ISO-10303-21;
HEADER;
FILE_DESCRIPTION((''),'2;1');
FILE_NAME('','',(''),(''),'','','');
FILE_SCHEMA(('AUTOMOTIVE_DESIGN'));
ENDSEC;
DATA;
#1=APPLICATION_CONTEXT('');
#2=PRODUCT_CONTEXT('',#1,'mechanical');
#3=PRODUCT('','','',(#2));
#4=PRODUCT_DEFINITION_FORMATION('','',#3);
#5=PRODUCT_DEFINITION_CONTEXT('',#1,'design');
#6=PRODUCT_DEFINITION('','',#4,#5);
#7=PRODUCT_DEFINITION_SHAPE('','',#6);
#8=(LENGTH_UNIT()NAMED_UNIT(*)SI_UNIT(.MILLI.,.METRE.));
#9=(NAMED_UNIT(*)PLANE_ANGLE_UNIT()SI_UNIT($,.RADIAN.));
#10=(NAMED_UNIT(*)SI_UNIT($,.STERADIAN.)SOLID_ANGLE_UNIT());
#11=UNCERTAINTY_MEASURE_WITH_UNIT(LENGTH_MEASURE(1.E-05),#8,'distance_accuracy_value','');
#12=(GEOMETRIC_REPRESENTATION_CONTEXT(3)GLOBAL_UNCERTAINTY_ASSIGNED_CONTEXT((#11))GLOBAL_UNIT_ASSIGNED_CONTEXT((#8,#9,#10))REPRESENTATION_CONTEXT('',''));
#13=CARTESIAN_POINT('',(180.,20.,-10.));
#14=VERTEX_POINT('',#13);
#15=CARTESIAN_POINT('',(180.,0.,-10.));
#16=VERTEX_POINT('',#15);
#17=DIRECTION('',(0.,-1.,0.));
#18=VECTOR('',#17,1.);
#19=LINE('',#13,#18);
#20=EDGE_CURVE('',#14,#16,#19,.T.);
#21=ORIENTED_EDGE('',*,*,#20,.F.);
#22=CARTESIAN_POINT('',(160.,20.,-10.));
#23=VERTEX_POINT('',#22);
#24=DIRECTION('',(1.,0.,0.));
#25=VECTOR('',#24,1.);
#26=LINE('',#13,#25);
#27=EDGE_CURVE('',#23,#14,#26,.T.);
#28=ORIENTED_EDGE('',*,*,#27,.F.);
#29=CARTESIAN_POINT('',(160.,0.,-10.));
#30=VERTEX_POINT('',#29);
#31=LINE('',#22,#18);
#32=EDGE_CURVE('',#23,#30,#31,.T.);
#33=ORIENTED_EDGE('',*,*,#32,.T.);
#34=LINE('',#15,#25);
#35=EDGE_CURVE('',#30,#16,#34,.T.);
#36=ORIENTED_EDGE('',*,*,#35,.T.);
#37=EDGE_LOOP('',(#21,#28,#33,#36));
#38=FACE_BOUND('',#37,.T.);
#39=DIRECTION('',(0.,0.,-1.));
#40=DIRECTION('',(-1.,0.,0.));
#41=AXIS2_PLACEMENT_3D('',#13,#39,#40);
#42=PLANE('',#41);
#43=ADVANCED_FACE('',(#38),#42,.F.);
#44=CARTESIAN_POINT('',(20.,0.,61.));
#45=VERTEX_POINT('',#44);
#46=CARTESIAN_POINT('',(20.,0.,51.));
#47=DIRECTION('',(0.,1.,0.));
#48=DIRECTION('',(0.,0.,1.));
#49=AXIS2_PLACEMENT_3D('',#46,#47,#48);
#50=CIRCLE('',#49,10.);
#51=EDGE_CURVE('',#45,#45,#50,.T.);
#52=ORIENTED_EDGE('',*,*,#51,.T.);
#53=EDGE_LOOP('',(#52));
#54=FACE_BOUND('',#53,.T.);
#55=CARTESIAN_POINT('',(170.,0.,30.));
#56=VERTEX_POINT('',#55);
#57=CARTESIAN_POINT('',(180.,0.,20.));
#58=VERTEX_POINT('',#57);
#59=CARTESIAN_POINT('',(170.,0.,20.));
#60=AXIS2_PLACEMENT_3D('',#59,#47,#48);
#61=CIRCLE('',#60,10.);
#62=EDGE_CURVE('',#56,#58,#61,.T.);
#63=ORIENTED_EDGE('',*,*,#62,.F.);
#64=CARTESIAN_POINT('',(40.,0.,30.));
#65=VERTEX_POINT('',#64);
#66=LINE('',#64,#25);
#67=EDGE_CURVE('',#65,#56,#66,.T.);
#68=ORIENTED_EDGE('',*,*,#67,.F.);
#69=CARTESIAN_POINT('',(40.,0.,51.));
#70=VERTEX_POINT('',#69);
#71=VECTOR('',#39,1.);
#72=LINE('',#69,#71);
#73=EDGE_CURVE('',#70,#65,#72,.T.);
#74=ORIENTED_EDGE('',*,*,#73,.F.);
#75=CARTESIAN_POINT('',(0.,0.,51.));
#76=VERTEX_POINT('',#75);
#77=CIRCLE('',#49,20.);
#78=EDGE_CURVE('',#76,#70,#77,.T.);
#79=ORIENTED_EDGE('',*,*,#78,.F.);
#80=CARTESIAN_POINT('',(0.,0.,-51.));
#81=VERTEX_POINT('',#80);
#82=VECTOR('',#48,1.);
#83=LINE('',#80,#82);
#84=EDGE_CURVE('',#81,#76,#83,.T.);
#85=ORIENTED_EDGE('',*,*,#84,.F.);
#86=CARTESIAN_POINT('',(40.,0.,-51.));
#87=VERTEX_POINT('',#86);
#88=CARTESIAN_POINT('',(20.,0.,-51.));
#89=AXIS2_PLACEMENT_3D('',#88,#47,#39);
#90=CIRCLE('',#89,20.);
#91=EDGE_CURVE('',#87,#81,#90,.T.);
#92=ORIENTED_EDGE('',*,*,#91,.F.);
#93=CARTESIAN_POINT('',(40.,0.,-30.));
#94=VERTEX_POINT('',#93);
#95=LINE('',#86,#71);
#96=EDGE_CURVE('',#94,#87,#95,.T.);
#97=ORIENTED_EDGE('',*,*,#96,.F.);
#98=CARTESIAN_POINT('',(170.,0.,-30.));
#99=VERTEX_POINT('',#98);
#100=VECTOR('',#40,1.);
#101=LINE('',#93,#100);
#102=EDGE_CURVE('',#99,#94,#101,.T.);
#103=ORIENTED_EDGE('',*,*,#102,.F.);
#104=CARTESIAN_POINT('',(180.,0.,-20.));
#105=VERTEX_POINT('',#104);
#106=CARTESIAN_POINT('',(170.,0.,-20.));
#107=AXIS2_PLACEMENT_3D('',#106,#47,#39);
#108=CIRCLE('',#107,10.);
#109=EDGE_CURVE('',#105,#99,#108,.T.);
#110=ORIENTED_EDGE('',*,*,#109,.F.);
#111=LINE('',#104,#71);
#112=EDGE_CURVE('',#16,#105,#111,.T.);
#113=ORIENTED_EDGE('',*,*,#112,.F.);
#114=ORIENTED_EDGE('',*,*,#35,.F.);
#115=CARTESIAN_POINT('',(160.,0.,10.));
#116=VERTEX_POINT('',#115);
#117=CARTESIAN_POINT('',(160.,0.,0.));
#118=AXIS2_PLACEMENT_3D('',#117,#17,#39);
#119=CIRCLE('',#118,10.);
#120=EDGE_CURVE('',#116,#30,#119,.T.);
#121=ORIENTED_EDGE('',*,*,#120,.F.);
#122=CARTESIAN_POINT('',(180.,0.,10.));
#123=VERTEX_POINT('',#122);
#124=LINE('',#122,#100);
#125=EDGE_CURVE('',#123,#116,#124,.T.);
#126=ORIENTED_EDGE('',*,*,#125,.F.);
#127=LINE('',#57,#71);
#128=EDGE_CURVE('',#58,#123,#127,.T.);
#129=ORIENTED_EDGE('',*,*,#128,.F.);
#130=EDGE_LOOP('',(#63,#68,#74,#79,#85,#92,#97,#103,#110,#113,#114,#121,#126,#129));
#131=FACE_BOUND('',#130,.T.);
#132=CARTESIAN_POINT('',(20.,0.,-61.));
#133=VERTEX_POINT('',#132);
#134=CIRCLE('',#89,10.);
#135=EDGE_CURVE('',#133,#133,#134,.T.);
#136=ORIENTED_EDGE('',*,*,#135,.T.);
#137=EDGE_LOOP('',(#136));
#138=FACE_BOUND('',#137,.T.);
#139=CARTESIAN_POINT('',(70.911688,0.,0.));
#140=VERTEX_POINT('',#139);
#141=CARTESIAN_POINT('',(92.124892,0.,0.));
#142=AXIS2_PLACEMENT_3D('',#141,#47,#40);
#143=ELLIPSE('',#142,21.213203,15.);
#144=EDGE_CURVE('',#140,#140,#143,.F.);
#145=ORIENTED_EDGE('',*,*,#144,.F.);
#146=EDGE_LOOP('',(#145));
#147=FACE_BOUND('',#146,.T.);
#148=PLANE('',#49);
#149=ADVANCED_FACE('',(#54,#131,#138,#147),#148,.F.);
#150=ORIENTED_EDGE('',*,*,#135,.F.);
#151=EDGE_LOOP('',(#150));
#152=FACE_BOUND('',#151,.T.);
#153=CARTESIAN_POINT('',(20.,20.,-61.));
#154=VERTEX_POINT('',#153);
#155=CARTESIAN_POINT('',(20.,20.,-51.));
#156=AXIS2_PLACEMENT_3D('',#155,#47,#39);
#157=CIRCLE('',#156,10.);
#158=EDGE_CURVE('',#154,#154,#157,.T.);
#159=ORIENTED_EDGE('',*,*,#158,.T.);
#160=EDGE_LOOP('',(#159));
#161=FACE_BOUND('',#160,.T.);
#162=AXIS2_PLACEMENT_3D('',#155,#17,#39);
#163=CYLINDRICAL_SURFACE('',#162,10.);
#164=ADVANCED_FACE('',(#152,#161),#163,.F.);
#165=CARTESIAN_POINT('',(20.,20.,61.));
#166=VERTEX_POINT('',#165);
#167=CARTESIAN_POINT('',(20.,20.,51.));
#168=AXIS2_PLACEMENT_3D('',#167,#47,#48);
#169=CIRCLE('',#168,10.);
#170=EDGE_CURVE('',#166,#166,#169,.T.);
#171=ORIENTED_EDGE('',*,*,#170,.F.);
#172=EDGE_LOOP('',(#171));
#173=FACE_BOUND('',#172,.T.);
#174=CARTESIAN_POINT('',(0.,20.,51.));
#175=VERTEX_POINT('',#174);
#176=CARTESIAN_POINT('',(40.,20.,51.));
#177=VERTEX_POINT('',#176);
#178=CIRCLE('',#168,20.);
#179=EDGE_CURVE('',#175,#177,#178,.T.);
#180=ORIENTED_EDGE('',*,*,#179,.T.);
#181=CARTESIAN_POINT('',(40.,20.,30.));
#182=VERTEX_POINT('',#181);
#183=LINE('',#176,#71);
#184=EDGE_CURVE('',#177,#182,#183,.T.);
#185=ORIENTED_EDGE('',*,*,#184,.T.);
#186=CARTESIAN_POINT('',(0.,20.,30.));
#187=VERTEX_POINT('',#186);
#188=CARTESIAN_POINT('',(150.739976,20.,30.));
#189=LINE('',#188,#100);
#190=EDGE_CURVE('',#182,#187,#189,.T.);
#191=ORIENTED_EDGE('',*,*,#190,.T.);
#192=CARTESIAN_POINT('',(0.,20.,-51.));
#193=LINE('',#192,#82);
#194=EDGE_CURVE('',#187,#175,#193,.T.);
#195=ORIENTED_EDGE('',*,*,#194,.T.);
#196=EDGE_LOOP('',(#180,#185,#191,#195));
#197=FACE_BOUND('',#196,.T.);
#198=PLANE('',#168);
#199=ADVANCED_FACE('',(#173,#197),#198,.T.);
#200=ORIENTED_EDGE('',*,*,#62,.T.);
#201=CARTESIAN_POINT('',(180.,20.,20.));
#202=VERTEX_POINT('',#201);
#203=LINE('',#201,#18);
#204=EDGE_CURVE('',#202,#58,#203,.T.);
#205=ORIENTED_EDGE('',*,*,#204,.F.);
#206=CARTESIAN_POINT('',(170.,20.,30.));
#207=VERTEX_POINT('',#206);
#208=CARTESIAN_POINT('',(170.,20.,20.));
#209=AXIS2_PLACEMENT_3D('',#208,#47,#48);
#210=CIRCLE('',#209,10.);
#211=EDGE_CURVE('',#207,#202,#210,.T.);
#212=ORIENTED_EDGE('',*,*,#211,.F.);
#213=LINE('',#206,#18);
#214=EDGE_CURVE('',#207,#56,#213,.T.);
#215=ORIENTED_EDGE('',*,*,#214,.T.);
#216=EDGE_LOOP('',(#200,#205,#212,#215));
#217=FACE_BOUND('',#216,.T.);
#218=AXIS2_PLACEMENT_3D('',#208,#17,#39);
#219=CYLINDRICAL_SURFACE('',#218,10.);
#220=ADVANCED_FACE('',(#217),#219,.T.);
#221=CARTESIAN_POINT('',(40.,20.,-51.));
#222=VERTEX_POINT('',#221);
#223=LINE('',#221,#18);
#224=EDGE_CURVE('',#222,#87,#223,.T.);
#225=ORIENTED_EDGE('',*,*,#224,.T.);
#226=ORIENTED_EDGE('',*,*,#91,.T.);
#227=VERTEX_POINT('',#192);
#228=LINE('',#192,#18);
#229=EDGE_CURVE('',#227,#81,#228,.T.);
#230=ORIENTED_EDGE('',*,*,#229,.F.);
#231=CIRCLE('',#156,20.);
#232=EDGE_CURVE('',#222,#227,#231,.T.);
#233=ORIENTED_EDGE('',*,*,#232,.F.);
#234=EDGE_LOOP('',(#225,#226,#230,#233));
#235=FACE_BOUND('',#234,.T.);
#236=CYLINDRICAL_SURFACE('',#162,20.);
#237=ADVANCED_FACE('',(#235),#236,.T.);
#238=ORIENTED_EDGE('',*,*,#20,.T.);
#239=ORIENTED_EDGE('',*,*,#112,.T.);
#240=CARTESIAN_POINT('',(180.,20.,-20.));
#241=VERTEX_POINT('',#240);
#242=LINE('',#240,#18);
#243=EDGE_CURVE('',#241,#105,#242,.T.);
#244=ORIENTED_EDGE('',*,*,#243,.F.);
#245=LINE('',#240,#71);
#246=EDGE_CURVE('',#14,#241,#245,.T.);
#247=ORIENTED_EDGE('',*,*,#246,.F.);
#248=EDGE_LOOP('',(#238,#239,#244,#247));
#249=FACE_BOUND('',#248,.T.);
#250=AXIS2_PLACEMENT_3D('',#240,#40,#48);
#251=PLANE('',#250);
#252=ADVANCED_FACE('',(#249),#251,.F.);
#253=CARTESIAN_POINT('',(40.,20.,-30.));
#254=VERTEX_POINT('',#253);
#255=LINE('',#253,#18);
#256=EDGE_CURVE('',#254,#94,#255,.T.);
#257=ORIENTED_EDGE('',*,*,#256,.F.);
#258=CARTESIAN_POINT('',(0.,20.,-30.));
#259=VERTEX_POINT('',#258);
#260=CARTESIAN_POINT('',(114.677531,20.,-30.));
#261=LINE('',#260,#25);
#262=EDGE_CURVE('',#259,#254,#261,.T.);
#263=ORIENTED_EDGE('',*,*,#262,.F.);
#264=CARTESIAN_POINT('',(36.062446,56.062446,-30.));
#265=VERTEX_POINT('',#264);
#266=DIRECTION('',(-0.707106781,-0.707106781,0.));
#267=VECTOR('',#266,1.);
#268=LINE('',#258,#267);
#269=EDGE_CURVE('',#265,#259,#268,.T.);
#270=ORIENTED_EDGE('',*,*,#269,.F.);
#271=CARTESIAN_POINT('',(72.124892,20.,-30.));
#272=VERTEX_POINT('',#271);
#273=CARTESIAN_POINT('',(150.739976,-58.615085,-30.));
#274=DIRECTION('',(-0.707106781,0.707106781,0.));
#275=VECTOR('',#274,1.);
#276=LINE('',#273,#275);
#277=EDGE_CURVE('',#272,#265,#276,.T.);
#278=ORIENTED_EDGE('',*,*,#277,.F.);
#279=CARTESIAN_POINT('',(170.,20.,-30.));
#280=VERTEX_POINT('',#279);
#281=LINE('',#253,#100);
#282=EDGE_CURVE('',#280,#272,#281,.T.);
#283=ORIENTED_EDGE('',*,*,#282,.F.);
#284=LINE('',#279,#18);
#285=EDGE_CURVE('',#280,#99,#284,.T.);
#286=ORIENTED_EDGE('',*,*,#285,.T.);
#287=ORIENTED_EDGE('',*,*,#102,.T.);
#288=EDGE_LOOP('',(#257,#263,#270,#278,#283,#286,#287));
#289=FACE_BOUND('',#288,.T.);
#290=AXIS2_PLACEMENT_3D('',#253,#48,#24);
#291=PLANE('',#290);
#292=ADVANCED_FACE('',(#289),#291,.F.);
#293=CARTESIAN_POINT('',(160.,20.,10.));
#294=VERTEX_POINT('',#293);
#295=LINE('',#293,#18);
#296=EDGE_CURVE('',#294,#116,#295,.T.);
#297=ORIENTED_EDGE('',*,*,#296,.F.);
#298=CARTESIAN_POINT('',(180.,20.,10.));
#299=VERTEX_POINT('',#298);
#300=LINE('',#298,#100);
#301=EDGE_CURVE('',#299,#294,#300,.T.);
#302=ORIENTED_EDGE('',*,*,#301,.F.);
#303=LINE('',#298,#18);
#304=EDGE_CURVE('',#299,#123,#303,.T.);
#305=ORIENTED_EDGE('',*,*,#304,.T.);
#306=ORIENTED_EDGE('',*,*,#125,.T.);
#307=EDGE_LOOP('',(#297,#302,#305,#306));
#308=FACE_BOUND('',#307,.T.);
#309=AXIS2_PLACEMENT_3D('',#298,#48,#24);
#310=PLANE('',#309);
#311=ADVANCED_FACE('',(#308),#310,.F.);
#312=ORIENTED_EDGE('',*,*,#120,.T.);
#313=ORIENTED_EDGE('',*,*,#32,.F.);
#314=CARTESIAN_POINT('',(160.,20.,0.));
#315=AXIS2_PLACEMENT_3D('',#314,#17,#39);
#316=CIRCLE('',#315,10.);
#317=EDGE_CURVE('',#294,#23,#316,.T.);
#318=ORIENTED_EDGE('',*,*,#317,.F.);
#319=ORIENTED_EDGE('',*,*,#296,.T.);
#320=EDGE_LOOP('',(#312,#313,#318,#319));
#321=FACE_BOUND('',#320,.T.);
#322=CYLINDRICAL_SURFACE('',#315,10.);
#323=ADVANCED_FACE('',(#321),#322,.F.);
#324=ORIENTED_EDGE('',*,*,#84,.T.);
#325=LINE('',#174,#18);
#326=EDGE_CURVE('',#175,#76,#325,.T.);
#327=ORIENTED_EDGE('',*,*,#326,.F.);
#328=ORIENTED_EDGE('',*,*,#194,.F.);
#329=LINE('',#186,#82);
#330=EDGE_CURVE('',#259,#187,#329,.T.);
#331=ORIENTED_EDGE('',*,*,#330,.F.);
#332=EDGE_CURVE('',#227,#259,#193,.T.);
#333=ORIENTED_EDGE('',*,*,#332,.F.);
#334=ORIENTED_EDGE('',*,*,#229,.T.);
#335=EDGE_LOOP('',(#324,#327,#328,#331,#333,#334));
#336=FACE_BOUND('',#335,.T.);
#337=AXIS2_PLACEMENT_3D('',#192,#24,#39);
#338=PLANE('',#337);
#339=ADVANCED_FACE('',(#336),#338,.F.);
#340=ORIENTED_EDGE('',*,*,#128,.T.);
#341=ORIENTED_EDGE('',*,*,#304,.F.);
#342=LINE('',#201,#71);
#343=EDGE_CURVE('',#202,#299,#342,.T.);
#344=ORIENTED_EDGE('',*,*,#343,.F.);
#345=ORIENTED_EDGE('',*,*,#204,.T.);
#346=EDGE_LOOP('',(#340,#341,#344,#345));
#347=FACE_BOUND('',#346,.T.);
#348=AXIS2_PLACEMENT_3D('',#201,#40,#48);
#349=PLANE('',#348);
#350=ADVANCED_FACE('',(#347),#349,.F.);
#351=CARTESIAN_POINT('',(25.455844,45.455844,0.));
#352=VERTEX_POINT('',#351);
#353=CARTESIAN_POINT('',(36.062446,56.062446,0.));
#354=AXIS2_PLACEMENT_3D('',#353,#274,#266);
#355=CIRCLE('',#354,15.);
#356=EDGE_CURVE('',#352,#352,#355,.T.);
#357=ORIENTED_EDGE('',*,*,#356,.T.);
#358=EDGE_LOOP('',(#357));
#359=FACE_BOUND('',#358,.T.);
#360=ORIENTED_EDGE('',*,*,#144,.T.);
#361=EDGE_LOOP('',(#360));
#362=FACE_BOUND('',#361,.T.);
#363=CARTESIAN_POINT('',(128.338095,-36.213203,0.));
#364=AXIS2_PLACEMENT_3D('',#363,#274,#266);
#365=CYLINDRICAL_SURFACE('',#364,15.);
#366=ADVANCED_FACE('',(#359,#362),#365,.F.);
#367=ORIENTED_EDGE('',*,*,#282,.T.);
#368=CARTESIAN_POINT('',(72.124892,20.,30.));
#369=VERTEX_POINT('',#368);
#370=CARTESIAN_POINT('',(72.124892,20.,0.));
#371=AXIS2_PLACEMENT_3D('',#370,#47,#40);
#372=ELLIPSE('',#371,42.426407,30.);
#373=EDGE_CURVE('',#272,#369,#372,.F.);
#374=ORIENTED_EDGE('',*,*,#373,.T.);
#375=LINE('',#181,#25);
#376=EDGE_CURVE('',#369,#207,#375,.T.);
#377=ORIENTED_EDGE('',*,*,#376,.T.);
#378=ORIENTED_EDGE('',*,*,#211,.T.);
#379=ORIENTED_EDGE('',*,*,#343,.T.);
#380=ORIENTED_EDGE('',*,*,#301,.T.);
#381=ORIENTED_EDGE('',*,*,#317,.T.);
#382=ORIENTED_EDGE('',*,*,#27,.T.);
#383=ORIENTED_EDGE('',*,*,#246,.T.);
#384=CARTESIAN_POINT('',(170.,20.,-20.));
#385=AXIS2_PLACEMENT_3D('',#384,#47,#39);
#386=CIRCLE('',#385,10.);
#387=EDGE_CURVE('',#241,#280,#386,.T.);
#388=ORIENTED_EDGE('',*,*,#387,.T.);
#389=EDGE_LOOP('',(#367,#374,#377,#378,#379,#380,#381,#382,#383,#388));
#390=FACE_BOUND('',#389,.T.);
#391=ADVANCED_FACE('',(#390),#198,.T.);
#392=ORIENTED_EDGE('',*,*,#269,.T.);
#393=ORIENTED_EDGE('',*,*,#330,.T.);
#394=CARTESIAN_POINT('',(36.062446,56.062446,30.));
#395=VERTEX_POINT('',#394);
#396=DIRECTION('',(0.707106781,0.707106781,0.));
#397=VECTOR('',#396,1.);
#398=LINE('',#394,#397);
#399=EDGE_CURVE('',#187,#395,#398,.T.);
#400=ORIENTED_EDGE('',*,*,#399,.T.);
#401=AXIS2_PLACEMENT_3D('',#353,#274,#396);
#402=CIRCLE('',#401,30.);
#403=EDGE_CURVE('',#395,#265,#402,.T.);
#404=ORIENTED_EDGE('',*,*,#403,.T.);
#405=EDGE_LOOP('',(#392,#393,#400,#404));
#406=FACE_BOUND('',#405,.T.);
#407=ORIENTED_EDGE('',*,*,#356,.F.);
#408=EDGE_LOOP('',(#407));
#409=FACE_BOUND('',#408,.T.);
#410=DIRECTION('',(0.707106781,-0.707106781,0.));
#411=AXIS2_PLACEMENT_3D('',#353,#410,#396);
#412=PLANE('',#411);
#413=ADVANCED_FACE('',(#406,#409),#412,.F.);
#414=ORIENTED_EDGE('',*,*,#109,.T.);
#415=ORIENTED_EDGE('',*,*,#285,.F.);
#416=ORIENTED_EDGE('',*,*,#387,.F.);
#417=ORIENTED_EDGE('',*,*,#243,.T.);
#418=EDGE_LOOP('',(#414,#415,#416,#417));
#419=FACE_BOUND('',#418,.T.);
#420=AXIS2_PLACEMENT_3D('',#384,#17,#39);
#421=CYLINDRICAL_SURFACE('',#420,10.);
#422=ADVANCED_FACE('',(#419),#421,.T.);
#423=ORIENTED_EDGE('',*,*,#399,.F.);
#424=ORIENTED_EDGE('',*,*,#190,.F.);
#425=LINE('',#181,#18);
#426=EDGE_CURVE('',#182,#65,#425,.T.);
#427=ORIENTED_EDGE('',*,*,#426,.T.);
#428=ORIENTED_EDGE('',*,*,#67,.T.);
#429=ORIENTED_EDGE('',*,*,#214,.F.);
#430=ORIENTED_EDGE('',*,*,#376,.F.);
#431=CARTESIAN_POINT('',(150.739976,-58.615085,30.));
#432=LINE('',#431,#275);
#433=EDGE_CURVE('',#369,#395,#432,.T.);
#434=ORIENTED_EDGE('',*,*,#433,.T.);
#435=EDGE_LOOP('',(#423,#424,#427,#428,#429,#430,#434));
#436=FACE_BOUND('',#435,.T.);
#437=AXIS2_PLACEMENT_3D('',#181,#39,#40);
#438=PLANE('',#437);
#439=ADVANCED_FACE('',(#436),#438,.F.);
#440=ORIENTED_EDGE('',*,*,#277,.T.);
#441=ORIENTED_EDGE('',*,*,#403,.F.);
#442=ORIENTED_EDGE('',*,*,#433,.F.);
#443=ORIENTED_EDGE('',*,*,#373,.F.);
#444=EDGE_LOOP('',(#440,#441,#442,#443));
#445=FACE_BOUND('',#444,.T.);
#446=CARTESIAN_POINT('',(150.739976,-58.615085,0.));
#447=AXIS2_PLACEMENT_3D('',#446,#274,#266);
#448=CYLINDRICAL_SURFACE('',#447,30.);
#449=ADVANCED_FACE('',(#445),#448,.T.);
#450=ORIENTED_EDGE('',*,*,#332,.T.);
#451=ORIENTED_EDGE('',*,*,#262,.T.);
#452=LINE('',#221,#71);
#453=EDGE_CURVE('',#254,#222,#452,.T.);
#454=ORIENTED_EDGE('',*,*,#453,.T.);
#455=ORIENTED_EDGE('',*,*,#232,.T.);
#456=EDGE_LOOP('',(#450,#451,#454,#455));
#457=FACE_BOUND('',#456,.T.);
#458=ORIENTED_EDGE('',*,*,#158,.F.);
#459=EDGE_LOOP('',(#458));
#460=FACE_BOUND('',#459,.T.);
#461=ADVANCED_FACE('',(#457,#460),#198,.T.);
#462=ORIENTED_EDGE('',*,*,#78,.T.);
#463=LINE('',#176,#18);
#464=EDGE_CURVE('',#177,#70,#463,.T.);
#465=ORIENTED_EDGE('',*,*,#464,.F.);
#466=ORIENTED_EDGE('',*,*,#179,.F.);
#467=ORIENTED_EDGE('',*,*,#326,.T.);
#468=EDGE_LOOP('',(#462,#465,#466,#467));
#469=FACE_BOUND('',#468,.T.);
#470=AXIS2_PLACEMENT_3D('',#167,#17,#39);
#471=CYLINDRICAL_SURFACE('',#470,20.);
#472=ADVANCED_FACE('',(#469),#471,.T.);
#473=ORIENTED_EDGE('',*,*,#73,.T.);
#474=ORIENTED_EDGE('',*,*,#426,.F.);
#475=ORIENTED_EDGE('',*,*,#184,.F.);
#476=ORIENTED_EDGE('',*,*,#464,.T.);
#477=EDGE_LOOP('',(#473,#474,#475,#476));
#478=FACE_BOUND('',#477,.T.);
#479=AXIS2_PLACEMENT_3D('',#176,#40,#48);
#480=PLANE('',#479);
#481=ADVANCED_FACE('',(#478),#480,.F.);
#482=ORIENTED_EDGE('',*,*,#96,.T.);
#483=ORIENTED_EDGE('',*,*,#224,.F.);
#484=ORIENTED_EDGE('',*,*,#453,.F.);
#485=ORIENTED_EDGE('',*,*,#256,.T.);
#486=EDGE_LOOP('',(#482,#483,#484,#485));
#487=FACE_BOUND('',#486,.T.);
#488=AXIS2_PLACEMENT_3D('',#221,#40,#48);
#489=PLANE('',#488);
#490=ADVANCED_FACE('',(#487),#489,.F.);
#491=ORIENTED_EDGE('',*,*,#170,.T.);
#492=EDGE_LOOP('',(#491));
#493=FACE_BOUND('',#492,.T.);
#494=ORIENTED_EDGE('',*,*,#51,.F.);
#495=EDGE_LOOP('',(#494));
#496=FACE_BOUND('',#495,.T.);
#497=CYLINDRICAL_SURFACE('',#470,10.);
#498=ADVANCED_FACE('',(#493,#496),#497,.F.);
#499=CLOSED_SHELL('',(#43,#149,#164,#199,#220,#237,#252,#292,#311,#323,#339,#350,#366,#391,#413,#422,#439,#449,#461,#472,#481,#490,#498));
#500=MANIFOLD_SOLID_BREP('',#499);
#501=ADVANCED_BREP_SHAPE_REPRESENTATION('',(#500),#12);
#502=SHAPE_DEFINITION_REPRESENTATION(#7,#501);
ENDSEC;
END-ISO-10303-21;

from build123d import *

# Parameters (mm, degrees)
SKETCH1_R           = 10
BOSS_EXTRUDE1_DEPTH = 20
BOSS_EXTRUDE2_REACH = 205.079
CUT_EXTRUDE1_REACH  = 215.698
SKETCH3_R           = 15


with BuildPart() as part:
    # Sketch1 → Boss-Extrude1 (new body)
    with BuildSketch(Plane(origin=(0, 0, 0), x_dir=(1, 0, 0), z_dir=(0, 1, 0))):
        with BuildLine():
            Line((0, 51), (0, -51))
            ThreePointArc((0, -51), (20, -71), (40, -51))
            Line((40, -51), (40, -30))
            Line((40, -30), (170, -30))
            ThreePointArc((170, -30), (177.071067812, -27.071067812), (180, -20))
            Line((180, -20), (180, -10))
            Line((180, -10), (160, -10))
            ThreePointArc((160, -10), (150, 0), (160, 10))
            Line((160, 10), (180, 10))
            Line((180, 10), (180, 20))
            ThreePointArc((180, 20), (177.071067812, 27.071067812), (170, 30))
            Line((170, 30), (40, 30))
            Line((40, 30), (40, 51))
            ThreePointArc((40, 51), (20, 71), (0, 51))
        make_face()
        with Locations(Location((20, -51, 0), (0, 0, 270))):
            Circle(SKETCH1_R, mode=Mode.SUBTRACT)
        with Locations(Location((20, 51, 0), (0, 0, 90))):
            Circle(SKETCH1_R, mode=Mode.SUBTRACT)
    extrude(amount=BOSS_EXTRUDE1_DEPTH)

    # Boss-Extrude2: up to this face of the body (flat: up to its plane)
    boss_extrude2_end = Plane(part.part.faces().sort_by_distance((73.396795742, 20, 0))[0])
    # Sketch2 → Boss-Extrude2 (add, up to the picked face)
    with BuildSketch(Plane(origin=(-10, 10, 0), x_dir=(0, 0, 1), z_dir=(-0.7071067811865512, 0.7071067811865438, 0)), mode=Mode.PRIVATE) as boss_extrude2_sk1:
        with BuildLine():
            Line((30, 14.142135624), (-30, 14.142135624))
            Line((-30, 14.142135624), (-30, 65.142135624))
            ThreePointArc((-30, 65.142135624), (0, 95.142135624), (30, 65.142135624))
            Line((30, 65.142135624), (30, 14.142135624))
        make_face()
    boss_extrude2_tool1 = split(extrude(boss_extrude2_sk1.sketch, amount=-BOSS_EXTRUDE2_REACH, mode=Mode.PRIVATE), bisect_by=boss_extrude2_end, keep=Keep.BOTH, mode=Mode.PRIVATE)
    add(boss_extrude2_tool1.solids().sort_by(Axis((26.574223, 46.574223, 0), (0.7071067811865512, -0.7071067811865438, 0)))[0])

    # Cut-Extrude1: up to this plane
    cut_extrude1_end = Plane(origin=(20, 0, 51), z_dir=(0, 1, 0))
    # Sketch3 → Cut-Extrude1 (cut, up to the surface)
    with BuildSketch(Plane(origin=(-10, 10, 0), x_dir=(0, 0, 1), z_dir=(-0.7071067811865513, 0.7071067811865438, 0)), mode=Mode.PRIVATE) as cut_extrude1_sk1:
        with Locations(Location((0, 65.142135624, 0), (0, 0, 270))):
            Circle(SKETCH3_R)
    cut_extrude1_tool1 = split(extrude(cut_extrude1_sk1.sketch, amount=-CUT_EXTRUDE1_REACH, mode=Mode.PRIVATE), bisect_by=cut_extrude1_end, keep=Keep.BOTH, mode=Mode.PRIVATE)
    add(cut_extrude1_tool1.solids().sort_by_distance((36.062446, 56.062446, 0))[0], mode=Mode.SUBTRACT)


solid = part.part
